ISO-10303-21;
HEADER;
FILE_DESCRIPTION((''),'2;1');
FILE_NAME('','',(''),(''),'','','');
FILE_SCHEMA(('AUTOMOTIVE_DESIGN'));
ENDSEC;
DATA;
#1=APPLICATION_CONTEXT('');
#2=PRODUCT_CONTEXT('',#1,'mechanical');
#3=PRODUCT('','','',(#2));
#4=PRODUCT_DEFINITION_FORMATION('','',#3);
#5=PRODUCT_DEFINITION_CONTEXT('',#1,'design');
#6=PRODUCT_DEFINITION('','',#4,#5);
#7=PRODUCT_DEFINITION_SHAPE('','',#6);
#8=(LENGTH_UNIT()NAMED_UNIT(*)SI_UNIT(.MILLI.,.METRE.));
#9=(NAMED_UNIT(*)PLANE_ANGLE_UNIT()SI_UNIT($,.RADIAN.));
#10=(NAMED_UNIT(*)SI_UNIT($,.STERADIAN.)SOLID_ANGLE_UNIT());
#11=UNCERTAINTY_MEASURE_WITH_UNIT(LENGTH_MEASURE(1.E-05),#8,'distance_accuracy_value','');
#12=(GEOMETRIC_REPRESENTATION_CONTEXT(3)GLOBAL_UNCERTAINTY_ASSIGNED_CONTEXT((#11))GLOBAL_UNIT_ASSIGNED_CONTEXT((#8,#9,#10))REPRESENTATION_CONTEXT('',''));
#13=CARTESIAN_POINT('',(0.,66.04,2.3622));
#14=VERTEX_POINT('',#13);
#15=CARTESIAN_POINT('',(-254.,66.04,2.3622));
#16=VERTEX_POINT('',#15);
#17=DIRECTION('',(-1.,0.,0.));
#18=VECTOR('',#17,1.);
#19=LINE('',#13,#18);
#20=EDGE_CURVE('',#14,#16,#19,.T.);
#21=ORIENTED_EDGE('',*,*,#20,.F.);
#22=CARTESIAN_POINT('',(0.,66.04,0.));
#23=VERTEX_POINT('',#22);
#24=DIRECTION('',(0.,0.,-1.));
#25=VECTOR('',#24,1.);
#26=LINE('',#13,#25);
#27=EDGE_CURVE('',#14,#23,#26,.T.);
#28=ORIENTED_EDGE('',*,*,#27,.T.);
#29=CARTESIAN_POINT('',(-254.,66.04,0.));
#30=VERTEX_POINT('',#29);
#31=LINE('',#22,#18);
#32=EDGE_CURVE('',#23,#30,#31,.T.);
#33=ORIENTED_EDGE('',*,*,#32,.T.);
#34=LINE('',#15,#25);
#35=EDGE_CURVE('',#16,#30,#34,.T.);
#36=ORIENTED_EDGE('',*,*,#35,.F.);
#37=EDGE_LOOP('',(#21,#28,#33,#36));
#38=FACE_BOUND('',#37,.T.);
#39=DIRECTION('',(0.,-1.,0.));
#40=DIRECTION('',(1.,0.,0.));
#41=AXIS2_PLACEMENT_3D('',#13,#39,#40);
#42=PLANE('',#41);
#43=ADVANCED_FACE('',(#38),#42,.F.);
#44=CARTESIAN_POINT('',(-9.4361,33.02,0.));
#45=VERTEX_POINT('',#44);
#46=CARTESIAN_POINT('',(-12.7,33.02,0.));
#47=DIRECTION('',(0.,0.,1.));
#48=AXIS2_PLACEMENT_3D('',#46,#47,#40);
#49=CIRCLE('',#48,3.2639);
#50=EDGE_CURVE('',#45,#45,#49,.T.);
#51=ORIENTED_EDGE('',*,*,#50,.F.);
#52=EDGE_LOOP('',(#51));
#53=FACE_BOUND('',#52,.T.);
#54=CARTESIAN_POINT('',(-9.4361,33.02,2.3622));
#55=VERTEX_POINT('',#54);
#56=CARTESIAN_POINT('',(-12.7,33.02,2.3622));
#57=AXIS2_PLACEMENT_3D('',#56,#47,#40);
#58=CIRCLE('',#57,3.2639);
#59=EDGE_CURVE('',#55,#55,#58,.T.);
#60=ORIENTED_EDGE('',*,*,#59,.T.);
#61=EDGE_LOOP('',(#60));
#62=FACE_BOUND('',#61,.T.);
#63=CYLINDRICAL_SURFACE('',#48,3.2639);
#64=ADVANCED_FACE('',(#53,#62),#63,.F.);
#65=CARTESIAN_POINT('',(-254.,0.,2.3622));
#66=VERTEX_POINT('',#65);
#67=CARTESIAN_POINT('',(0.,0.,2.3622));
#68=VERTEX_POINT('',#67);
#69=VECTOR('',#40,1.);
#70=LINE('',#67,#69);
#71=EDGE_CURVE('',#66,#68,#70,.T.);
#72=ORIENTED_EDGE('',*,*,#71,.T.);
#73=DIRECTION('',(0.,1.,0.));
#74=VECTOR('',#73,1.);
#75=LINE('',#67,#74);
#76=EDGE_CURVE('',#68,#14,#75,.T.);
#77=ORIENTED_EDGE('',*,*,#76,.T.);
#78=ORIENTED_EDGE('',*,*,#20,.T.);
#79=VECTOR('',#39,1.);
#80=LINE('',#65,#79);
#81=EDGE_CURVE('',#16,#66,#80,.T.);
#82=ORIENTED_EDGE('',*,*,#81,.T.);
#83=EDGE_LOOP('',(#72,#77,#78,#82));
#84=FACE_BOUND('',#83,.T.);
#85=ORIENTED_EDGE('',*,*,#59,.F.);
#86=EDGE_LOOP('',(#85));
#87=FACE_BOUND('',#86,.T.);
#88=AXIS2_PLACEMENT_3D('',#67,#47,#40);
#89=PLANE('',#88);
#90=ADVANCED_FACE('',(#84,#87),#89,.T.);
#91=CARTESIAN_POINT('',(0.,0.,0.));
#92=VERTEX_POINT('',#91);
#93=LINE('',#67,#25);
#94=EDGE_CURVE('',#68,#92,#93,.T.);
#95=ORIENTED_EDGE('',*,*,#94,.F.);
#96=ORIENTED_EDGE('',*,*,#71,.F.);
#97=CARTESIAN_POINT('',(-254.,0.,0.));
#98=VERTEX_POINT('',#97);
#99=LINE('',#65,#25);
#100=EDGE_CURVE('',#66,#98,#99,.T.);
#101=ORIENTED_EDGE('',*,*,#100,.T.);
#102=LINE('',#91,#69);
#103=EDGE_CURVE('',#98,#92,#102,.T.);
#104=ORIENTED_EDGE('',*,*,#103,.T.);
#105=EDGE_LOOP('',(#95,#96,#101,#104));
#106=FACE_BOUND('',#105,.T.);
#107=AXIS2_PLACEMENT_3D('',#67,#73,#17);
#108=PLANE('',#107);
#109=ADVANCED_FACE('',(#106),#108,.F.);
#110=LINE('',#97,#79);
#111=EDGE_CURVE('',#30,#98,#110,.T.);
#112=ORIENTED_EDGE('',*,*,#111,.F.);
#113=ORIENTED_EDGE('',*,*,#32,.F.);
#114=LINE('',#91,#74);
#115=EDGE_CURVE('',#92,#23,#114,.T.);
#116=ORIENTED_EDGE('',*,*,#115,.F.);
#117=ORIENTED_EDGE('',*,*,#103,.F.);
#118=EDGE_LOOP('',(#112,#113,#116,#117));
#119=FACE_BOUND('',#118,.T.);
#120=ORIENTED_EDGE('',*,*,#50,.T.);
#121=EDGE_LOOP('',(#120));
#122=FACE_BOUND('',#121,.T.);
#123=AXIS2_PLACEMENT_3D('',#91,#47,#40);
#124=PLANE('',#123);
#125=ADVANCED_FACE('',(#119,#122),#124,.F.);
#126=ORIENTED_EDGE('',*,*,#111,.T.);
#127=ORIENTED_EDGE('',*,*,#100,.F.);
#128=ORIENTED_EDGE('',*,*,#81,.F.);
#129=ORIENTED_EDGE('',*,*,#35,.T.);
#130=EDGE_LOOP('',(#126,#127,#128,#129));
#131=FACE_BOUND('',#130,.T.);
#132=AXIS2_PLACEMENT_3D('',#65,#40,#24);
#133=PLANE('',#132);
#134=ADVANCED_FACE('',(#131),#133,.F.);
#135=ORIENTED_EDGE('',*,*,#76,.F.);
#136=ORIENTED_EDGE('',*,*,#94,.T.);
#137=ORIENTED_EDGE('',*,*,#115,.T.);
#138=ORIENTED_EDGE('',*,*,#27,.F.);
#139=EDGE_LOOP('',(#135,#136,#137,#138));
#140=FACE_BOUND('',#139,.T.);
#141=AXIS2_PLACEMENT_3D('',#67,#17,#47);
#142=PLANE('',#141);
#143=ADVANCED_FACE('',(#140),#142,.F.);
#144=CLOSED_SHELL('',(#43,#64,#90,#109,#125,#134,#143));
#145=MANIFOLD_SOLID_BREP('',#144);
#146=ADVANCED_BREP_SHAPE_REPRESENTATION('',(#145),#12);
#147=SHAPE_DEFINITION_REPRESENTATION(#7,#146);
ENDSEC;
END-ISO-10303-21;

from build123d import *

# Parameters (mm, degrees)
SKETCH2_W           = 254
SKETCH2_H           = 66.04
BOSS_EXTRUDE1_DEPTH = 2.3622
SKETCH3_R           = 3.2639
CUT_EXTRUDE1_DEPTH  = 263.455446864


with BuildPart() as part:
    # Sketch2 → Boss-Extrude1 (new body)
    with BuildSketch(Plane.XY):
        with Locations((-127, 33.02)):
            Rectangle(SKETCH2_W, SKETCH2_H)
    extrude(amount=BOSS_EXTRUDE1_DEPTH)

    # Sketch3 → Cut-Extrude1 (cut, through all)
    with BuildSketch(Plane.XY.offset(2.3622)):
        with Locations((-12.7, 33.02)):
            Circle(SKETCH3_R)
    extrude(amount=-CUT_EXTRUDE1_DEPTH, mode=Mode.SUBTRACT)


solid = part.part
